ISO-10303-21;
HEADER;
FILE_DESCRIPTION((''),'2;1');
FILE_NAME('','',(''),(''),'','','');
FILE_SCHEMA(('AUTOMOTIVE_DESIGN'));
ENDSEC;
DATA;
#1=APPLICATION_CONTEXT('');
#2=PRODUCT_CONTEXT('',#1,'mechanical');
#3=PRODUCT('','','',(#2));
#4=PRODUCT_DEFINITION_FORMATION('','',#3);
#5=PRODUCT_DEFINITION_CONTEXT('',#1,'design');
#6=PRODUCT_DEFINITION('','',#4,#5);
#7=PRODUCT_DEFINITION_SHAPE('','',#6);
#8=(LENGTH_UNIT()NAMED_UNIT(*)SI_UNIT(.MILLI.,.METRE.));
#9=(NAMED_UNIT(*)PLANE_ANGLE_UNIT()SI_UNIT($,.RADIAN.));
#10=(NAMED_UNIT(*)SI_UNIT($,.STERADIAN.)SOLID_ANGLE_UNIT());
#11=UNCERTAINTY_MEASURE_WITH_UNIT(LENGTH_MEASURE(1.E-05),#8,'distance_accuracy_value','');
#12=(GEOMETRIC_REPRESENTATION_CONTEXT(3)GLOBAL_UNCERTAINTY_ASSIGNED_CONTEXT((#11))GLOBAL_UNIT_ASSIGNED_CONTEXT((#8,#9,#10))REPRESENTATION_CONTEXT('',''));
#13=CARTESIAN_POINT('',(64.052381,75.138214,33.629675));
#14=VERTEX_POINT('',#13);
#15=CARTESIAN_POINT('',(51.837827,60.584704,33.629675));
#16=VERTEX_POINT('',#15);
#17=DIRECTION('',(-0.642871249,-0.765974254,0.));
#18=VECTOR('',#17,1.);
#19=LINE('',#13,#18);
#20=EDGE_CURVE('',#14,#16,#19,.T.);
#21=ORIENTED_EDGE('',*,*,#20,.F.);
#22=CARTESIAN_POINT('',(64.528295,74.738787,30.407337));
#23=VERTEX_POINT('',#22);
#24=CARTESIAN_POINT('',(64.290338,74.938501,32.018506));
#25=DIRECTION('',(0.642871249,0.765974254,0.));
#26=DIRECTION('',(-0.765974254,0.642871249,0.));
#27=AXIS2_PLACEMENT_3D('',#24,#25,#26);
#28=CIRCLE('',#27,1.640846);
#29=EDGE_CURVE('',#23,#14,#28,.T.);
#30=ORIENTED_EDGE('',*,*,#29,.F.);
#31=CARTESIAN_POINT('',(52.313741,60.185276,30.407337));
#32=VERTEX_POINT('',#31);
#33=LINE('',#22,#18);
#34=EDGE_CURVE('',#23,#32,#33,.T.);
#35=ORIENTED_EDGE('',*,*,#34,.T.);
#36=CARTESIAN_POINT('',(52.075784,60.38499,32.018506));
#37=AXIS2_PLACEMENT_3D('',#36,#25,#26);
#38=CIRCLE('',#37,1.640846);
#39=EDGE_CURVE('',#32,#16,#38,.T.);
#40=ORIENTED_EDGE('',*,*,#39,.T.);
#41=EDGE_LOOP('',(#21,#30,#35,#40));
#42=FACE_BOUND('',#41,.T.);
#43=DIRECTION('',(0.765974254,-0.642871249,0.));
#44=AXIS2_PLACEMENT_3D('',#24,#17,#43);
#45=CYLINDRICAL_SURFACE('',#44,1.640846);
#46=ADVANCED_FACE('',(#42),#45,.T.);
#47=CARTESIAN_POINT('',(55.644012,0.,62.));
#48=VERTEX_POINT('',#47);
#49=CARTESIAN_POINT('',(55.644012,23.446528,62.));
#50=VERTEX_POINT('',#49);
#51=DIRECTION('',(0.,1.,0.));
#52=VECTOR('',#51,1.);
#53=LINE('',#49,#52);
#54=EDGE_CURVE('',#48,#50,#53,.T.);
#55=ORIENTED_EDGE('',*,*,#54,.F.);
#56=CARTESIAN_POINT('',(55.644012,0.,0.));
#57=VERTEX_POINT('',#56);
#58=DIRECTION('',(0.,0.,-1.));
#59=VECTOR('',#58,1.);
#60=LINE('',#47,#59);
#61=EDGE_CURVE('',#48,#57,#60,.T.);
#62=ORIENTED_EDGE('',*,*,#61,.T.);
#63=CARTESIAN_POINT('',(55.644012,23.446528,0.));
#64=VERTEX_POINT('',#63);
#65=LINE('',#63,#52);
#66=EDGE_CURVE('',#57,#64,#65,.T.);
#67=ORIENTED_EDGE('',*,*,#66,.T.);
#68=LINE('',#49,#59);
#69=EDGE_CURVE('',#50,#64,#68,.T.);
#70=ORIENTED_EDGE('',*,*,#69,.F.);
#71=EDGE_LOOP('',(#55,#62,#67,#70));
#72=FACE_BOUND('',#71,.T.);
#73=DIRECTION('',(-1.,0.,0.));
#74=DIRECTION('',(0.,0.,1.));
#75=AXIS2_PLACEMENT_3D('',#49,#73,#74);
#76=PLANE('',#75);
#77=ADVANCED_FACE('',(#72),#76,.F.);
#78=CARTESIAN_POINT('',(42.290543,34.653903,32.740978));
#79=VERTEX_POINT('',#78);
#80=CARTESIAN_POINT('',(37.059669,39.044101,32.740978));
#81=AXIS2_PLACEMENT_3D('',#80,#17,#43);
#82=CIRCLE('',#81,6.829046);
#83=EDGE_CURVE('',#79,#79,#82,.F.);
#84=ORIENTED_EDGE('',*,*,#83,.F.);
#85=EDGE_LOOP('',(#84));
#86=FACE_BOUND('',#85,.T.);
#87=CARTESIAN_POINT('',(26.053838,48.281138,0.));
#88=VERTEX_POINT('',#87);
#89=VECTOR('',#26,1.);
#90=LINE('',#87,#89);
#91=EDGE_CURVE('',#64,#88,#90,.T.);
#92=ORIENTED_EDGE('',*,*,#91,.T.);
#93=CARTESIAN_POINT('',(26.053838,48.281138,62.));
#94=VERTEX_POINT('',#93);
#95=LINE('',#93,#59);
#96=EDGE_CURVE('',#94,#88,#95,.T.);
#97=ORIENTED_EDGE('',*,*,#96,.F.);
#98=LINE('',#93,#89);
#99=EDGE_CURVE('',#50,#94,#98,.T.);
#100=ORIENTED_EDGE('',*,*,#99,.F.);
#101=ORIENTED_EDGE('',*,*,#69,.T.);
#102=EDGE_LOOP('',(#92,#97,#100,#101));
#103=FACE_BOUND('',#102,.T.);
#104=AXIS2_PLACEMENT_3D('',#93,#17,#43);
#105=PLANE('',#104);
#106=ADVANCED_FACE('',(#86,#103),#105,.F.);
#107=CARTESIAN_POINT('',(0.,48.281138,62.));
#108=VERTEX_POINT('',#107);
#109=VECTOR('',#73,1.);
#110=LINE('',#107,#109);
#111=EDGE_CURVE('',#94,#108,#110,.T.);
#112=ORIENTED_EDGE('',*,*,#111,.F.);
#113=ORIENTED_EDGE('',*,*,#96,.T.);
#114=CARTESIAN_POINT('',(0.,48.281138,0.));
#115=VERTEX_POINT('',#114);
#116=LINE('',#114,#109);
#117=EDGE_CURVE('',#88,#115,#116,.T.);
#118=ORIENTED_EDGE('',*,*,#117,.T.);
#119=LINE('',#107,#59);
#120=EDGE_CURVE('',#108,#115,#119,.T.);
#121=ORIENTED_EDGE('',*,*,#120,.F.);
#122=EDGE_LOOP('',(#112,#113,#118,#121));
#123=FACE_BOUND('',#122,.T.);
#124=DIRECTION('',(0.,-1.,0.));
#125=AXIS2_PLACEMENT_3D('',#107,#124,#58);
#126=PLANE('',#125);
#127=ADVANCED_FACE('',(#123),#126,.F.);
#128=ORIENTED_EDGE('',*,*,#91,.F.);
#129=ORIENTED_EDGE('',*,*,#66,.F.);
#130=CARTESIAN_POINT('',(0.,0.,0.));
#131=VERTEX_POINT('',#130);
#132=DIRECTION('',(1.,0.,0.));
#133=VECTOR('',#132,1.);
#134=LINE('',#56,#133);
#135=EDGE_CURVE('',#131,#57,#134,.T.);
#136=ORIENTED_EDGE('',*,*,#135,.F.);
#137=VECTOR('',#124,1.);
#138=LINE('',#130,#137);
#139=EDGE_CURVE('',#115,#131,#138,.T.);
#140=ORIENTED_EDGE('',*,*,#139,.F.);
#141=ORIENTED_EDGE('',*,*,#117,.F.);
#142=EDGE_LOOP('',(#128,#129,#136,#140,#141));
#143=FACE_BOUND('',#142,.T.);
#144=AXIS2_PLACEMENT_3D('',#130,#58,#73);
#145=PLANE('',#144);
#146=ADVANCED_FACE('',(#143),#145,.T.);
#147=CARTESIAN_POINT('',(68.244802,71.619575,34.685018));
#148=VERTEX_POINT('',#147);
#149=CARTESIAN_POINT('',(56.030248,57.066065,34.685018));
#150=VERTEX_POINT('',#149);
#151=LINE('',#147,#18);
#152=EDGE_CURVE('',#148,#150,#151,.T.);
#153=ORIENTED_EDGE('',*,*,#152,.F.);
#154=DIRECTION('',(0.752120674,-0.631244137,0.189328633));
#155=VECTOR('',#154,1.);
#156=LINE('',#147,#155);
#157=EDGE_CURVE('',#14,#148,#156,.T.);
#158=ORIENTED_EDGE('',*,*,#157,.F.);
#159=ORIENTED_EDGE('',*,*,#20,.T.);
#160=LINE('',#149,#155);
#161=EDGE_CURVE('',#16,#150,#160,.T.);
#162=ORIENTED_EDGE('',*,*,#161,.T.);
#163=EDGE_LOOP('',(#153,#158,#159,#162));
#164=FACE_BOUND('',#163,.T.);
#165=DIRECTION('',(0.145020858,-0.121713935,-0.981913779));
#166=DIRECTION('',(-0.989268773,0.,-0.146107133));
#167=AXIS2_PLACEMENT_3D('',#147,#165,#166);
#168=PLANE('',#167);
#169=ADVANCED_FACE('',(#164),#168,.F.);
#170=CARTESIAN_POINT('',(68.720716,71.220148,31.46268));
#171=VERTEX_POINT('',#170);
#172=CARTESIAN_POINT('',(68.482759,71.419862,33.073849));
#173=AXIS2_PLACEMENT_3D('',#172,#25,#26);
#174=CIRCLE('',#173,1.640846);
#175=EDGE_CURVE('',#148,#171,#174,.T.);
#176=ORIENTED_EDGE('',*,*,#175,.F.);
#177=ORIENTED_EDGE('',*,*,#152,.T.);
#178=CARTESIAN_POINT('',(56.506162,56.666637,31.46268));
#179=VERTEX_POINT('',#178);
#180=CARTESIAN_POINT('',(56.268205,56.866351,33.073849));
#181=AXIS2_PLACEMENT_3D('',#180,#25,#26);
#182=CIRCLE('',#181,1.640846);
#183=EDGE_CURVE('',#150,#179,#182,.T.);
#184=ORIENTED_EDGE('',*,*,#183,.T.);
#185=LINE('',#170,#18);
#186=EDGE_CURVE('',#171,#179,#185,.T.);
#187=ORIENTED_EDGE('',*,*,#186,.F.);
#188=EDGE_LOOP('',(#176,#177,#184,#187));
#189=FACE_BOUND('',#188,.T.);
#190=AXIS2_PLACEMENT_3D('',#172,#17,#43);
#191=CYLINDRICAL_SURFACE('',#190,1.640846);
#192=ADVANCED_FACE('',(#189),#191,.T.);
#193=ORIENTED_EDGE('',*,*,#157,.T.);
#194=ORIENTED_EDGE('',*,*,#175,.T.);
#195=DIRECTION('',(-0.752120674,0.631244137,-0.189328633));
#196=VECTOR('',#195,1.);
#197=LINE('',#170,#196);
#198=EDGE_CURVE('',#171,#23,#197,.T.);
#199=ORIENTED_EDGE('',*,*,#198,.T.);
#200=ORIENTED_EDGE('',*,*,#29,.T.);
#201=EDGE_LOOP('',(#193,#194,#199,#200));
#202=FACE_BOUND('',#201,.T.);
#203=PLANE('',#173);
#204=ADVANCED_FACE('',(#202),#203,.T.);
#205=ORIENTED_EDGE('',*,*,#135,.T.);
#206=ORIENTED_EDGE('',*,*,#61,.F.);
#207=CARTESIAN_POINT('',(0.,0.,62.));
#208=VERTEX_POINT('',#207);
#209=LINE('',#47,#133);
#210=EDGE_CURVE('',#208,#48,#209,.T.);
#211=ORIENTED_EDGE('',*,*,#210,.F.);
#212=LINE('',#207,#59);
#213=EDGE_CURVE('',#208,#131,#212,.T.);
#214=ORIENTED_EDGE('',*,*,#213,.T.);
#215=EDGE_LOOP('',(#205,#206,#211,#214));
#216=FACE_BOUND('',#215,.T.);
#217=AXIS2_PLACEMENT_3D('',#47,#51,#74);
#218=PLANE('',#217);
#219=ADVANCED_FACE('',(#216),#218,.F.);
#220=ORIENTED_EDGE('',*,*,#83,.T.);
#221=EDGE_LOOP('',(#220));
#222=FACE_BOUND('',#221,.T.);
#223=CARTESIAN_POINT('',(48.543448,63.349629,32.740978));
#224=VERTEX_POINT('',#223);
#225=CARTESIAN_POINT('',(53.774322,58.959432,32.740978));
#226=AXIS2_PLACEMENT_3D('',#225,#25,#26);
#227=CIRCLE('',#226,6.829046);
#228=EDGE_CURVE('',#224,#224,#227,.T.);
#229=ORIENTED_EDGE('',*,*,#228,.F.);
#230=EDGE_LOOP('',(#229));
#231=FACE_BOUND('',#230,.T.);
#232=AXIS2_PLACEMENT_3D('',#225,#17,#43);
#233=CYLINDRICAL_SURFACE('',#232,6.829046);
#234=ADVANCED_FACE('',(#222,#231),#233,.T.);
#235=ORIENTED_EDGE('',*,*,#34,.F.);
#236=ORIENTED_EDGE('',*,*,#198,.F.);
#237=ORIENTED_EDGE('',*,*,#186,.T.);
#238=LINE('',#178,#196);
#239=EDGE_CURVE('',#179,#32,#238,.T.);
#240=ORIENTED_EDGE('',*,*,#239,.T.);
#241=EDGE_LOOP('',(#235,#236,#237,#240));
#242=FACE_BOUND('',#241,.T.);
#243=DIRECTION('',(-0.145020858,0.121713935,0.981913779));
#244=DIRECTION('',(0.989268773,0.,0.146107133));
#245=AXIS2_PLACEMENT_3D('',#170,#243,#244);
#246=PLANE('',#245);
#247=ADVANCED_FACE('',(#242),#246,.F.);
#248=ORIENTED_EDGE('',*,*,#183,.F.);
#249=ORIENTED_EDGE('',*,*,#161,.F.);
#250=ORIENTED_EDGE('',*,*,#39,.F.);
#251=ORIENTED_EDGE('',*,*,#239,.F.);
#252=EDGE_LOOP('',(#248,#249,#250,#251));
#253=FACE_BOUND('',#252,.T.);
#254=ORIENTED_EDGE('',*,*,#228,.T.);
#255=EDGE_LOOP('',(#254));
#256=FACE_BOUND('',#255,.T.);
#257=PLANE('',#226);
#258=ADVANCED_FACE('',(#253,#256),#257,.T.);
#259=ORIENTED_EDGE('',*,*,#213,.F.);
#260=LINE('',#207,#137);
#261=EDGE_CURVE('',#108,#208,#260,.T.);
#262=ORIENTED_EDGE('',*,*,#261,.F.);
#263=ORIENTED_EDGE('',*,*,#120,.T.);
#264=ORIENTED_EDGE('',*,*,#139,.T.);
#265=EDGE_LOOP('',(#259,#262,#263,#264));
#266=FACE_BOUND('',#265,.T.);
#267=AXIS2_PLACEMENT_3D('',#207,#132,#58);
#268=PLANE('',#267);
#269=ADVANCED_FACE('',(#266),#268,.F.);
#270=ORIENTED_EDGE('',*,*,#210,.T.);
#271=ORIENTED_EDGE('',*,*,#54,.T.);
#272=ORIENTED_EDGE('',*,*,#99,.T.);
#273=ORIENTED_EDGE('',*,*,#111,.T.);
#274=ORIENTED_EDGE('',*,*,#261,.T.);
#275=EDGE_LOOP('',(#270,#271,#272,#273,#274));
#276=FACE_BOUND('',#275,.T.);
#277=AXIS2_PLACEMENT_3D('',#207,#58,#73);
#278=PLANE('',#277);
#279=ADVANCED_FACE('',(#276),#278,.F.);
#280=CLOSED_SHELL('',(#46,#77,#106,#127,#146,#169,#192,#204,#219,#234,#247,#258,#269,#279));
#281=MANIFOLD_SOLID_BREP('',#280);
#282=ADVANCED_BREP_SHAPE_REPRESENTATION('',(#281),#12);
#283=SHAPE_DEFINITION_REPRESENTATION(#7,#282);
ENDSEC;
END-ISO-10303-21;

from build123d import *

# Parameters (mm, degrees)
BOSS_EXTRUDE1_DEPTH = 62
SKETCH2_R           = 6.829046467
BOSS_EXTRUDE2_DEPTH = 26
BOSS_EXTRUDE3_DEPTH = 19


with BuildPart() as part:
    # Sketch1 → Boss-Extrude1 (new body)
    with BuildSketch(Plane.XY):
        Polygon((0, 0), (0, 48.281138127), (26.053837569, 48.281138127), (55.644011692, 23.446527703), (55.644011692, 0), align=None)
    extrude(amount=BOSS_EXTRUDE1_DEPTH)

    # Sketch2 → Boss-Extrude2 (add)
    with BuildSketch(Plane(origin=(34.542354114, 41.156847455, 0), x_dir=(0.765974254, -0.642871249, 0), z_dir=(0.642871249, 0.765974254, 0))):
        with Locations((3.286422452, -32.740977781)):
            Circle(SKETCH2_R)
    extrude(amount=BOSS_EXTRUDE2_DEPTH)

    # Sketch3 → Boss-Extrude3 (add)
    with BuildSketch(Plane(origin=(51.257006582, 61.072178055, 0), x_dir=(0.765974254, -0.642871249, 0), z_dir=(0.642871249, 0.765974254, 0))):
        with BuildLine():
            Line((6.231595343, -34.685018308), (0.758276941, -33.629675248))
            ThreePointArc((0.758276941, -33.629675248), (-0.542233107, -31.707846996), (1.379595145, -30.407336949))
            Line((1.379595145, -30.407336949), (6.852913547, -31.462680009))
            ThreePointArc((6.852913547, -31.462680009), (8.153423595, -33.38450826), (6.231595343, -34.685018308))
        make_face()
    extrude(amount=BOSS_EXTRUDE3_DEPTH)


solid = part.part
